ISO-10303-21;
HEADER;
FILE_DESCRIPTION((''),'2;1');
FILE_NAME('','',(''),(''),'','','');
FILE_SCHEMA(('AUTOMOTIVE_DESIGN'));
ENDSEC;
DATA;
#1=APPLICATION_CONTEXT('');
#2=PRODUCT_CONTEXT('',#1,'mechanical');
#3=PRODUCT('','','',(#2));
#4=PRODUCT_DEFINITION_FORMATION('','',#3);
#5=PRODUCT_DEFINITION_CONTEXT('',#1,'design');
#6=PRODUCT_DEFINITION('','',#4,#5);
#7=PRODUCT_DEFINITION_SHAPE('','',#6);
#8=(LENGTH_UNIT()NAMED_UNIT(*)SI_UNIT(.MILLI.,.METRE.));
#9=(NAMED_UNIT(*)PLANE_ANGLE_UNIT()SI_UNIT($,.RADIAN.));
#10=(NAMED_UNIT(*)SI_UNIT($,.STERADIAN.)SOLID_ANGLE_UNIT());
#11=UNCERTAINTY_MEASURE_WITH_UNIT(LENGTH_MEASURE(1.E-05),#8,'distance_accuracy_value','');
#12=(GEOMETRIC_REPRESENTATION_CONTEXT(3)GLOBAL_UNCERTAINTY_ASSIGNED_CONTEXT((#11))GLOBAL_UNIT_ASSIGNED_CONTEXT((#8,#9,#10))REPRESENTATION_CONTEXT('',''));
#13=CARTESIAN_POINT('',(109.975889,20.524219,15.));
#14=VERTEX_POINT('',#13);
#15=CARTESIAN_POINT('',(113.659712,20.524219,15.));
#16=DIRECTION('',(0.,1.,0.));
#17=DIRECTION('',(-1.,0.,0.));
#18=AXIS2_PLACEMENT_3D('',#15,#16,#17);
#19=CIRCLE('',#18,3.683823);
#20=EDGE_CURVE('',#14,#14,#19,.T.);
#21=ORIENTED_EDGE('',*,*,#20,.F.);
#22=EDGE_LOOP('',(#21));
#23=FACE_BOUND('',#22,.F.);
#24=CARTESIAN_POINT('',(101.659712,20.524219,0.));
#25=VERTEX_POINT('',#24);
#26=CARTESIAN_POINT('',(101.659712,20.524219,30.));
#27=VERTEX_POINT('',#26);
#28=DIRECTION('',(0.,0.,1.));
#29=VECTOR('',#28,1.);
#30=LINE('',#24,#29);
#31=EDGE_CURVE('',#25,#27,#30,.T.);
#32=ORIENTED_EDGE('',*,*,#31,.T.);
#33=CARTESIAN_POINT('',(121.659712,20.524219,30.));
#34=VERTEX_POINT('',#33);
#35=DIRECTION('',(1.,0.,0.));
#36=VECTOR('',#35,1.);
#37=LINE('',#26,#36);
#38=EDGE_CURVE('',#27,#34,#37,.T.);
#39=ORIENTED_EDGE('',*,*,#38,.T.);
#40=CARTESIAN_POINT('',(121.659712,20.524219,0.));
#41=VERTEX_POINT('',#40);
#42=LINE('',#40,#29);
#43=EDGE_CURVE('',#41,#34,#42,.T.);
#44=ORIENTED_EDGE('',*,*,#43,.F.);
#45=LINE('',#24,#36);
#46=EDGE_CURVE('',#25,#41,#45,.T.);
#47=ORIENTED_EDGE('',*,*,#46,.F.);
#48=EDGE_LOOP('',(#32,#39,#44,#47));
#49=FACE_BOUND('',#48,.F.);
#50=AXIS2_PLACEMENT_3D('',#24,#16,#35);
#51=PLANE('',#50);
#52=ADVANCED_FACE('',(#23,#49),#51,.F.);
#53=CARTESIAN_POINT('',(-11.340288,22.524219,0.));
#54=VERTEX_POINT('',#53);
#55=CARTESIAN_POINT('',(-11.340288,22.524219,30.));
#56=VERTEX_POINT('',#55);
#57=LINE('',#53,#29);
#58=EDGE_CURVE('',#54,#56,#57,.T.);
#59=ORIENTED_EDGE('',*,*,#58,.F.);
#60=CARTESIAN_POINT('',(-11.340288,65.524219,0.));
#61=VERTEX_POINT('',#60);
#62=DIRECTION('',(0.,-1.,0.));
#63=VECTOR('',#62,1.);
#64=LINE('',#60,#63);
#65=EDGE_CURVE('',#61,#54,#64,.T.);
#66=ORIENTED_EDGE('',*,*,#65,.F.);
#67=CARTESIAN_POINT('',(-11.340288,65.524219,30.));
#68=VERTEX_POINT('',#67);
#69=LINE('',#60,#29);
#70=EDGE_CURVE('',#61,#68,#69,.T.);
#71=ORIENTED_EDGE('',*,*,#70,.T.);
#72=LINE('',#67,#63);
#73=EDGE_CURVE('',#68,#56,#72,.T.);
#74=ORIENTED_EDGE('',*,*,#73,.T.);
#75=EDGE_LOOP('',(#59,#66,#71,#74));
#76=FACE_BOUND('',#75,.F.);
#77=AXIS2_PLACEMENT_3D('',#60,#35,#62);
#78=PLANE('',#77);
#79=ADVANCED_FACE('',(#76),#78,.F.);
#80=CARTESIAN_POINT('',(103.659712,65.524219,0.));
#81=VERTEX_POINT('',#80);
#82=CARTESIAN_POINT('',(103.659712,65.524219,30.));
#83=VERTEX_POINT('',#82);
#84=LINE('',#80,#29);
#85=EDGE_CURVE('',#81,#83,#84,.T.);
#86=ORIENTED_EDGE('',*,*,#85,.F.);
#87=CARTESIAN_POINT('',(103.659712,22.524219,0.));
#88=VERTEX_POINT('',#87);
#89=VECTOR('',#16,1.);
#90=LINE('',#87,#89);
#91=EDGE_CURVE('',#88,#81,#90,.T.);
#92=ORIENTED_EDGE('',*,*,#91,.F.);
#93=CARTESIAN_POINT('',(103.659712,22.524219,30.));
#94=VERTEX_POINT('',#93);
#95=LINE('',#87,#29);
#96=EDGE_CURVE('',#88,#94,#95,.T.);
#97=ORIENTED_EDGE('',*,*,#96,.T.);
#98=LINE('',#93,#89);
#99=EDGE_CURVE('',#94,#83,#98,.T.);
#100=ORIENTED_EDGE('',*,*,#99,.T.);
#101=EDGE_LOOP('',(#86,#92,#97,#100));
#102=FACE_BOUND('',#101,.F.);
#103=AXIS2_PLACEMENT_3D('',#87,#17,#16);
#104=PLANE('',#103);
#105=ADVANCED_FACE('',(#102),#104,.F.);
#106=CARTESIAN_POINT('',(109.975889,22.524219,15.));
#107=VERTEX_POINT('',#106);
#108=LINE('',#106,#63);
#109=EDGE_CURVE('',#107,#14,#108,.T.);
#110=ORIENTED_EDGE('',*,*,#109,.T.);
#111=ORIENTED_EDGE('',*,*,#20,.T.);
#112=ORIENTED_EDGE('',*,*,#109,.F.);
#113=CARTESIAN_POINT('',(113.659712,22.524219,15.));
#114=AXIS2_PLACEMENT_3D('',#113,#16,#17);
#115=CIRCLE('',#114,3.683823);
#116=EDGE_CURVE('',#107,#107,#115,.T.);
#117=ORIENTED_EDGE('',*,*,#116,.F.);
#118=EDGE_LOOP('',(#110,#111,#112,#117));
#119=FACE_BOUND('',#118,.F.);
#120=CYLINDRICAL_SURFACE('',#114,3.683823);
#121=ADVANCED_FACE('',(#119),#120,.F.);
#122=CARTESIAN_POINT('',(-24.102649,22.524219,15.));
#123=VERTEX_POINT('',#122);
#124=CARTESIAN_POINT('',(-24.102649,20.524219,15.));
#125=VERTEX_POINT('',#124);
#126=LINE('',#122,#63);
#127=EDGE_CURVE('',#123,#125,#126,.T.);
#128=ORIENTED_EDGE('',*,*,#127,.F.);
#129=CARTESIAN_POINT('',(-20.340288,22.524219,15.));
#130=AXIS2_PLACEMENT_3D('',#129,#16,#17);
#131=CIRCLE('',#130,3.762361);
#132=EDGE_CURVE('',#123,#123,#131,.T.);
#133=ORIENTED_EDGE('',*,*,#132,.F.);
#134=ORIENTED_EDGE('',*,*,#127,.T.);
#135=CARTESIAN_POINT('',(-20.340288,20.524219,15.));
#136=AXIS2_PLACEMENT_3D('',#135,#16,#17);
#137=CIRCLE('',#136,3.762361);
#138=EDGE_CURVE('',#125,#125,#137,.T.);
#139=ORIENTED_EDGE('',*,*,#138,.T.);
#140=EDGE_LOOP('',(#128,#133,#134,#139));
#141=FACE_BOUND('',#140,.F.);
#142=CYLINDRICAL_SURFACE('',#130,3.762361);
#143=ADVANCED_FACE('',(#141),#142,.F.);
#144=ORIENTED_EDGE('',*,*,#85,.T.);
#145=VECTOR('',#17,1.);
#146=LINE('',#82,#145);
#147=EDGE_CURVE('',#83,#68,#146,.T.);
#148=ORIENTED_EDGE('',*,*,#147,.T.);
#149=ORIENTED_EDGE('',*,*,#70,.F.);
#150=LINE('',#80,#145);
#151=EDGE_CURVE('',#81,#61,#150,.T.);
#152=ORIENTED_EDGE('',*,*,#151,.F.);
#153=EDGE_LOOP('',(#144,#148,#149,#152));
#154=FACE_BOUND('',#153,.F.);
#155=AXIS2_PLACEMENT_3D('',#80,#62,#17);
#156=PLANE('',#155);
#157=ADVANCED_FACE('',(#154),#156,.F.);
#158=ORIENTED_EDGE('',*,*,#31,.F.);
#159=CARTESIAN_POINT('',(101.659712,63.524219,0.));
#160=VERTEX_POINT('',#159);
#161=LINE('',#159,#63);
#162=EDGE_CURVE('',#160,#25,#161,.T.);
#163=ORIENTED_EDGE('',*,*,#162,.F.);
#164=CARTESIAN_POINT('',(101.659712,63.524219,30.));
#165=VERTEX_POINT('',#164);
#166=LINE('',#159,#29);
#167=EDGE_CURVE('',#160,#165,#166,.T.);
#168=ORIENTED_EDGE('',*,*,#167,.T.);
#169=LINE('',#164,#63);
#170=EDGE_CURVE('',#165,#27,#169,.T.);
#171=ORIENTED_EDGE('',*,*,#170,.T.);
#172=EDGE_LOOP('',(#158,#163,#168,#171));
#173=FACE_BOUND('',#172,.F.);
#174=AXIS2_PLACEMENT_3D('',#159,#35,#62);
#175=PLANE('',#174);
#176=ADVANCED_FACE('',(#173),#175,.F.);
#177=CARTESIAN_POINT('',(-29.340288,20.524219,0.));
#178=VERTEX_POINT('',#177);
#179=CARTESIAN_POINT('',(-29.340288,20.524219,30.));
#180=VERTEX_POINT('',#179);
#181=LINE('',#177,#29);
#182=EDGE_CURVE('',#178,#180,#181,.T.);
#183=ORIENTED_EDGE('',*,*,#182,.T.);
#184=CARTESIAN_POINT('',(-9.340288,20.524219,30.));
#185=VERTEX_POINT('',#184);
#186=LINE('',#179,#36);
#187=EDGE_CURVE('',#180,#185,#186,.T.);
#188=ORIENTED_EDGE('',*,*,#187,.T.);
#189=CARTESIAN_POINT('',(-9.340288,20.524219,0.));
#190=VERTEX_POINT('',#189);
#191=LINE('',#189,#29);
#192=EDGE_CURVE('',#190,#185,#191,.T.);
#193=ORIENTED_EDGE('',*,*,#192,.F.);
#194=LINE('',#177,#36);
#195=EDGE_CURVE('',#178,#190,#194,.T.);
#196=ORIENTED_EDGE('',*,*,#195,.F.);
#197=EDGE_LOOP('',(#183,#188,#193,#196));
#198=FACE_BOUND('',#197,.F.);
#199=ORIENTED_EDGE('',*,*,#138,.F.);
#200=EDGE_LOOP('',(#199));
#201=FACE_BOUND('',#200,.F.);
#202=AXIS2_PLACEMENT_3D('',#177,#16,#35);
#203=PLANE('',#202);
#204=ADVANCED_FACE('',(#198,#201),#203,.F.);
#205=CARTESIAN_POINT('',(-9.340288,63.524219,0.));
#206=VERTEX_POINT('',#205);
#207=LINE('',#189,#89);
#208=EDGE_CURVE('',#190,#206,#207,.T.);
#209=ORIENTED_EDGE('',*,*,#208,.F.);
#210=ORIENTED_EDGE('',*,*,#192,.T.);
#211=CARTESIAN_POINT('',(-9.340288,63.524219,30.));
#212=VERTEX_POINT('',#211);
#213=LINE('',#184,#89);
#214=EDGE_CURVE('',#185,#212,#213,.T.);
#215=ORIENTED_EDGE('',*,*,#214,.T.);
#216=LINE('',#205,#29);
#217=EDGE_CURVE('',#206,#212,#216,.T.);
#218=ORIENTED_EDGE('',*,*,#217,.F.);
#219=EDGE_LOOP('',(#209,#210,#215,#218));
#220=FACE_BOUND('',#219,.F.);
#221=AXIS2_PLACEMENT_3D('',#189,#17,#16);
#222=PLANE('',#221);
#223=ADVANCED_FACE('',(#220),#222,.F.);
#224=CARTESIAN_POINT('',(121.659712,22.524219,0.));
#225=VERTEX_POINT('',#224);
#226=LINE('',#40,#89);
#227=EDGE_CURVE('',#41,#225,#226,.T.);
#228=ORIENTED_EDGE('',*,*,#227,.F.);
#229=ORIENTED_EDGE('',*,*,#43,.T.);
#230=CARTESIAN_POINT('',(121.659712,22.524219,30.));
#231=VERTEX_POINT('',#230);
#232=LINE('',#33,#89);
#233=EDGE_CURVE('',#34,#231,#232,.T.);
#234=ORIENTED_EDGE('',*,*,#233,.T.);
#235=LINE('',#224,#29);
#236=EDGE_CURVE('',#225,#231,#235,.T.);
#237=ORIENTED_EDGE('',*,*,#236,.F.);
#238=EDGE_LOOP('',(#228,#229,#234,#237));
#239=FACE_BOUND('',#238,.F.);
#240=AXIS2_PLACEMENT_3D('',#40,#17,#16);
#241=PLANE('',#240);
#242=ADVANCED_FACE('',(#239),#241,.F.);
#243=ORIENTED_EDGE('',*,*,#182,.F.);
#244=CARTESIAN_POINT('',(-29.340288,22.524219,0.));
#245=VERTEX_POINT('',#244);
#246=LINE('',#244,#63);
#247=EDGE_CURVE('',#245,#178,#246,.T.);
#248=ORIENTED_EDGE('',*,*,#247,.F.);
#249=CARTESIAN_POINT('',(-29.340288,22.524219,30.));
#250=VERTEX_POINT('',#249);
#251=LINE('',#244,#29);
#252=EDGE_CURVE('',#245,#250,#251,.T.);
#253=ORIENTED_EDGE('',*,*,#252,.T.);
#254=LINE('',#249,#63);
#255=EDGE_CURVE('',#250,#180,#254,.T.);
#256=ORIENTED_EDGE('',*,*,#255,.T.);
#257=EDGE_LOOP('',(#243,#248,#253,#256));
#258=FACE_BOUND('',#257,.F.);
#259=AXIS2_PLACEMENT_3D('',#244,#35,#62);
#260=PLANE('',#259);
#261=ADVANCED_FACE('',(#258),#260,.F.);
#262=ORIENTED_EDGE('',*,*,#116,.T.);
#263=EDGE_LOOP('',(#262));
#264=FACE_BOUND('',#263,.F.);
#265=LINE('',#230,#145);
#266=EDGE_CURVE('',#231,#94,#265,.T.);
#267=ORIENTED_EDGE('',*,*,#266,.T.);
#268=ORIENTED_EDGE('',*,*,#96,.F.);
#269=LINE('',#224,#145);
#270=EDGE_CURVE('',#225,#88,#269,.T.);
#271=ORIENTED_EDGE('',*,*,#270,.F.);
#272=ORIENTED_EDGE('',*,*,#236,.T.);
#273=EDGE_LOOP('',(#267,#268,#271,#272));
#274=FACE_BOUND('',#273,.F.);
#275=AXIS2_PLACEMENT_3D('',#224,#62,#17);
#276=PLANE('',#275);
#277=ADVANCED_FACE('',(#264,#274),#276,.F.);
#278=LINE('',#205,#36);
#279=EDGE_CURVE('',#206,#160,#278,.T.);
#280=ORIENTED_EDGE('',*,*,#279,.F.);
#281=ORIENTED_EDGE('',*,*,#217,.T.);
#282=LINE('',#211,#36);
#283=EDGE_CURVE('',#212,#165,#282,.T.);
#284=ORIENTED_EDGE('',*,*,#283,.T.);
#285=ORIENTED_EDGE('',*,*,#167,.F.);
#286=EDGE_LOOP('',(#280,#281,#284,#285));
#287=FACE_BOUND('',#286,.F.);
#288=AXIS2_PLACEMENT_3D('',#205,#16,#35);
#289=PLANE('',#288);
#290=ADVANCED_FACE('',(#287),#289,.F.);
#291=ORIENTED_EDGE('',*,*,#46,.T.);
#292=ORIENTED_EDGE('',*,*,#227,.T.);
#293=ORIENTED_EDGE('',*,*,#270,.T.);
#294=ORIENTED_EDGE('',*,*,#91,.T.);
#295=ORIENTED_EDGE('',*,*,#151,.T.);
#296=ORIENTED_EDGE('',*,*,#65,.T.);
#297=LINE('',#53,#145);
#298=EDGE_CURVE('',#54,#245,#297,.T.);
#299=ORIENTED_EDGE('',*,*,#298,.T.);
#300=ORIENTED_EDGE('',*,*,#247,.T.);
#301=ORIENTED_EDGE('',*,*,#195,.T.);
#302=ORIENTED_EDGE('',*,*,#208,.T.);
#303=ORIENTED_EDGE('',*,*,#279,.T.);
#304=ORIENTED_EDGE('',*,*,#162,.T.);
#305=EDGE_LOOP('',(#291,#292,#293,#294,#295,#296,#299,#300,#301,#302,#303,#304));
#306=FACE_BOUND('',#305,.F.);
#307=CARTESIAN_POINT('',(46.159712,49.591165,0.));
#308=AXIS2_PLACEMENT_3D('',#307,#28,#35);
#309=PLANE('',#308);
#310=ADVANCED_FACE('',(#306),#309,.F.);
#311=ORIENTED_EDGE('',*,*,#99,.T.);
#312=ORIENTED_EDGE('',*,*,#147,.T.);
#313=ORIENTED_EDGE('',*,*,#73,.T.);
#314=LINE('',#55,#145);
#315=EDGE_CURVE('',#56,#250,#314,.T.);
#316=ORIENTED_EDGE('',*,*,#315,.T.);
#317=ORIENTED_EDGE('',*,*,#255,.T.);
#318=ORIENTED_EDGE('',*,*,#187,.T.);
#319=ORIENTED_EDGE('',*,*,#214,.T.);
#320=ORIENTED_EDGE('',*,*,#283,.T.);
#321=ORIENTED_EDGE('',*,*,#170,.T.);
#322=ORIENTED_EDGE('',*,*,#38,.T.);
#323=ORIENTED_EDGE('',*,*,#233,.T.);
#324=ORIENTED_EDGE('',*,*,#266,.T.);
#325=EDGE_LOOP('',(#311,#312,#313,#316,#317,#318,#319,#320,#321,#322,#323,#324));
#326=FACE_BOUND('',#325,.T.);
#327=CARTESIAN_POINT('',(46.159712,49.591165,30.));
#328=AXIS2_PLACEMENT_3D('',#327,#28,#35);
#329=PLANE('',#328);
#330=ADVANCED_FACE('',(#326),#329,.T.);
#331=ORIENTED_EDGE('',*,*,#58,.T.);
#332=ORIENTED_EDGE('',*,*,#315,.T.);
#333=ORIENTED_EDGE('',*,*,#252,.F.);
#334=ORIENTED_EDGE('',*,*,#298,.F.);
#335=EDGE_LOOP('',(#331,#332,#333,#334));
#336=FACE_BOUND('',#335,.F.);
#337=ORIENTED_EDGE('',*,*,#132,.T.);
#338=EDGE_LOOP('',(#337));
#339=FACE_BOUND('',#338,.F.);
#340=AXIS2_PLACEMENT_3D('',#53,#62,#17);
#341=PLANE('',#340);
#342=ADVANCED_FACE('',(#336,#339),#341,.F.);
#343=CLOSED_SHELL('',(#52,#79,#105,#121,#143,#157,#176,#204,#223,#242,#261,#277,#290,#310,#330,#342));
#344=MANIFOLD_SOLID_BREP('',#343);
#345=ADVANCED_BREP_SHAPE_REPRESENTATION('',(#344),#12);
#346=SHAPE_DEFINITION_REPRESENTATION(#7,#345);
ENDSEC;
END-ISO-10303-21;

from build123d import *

# Parameters (mm, degrees)
F1_DEPTH = 30
F2_R     = 3.762361
F2_R_2   = 3.683823
F3_DEPTH = 2.001


with BuildPart() as f1:
    # F0 (on Top) → F1 (new body)
    with BuildSketch(Plane.XY):
        Polygon((-11.340288, 22.524219), (-29.340288, 22.524219), (-29.340288, 20.524219), (-9.340288, 20.524219), (-9.340288, 63.524219), (101.659712, 63.524219), (101.659712, 20.524219), (121.659712, 20.524219), (121.659712, 22.524219), (103.659712, 22.524219), (103.659712, 65.524219), (-11.340288, 65.524219), align=None)
    extrude(amount=F1_DEPTH)

    # F2 (on face) → F3 (cut, through all)
    with BuildSketch(Plane(origin=(0, 22.524219, 0), x_dir=(-1, 0, 0), z_dir=(0, 1, 0))):
        with Locations((20.340288, 15)):
            Circle(F2_R)
        with Locations((-113.659712, 15)):
            Circle(F2_R_2)
    extrude(amount=-F3_DEPTH, mode=Mode.SUBTRACT)


solid = f1.part
